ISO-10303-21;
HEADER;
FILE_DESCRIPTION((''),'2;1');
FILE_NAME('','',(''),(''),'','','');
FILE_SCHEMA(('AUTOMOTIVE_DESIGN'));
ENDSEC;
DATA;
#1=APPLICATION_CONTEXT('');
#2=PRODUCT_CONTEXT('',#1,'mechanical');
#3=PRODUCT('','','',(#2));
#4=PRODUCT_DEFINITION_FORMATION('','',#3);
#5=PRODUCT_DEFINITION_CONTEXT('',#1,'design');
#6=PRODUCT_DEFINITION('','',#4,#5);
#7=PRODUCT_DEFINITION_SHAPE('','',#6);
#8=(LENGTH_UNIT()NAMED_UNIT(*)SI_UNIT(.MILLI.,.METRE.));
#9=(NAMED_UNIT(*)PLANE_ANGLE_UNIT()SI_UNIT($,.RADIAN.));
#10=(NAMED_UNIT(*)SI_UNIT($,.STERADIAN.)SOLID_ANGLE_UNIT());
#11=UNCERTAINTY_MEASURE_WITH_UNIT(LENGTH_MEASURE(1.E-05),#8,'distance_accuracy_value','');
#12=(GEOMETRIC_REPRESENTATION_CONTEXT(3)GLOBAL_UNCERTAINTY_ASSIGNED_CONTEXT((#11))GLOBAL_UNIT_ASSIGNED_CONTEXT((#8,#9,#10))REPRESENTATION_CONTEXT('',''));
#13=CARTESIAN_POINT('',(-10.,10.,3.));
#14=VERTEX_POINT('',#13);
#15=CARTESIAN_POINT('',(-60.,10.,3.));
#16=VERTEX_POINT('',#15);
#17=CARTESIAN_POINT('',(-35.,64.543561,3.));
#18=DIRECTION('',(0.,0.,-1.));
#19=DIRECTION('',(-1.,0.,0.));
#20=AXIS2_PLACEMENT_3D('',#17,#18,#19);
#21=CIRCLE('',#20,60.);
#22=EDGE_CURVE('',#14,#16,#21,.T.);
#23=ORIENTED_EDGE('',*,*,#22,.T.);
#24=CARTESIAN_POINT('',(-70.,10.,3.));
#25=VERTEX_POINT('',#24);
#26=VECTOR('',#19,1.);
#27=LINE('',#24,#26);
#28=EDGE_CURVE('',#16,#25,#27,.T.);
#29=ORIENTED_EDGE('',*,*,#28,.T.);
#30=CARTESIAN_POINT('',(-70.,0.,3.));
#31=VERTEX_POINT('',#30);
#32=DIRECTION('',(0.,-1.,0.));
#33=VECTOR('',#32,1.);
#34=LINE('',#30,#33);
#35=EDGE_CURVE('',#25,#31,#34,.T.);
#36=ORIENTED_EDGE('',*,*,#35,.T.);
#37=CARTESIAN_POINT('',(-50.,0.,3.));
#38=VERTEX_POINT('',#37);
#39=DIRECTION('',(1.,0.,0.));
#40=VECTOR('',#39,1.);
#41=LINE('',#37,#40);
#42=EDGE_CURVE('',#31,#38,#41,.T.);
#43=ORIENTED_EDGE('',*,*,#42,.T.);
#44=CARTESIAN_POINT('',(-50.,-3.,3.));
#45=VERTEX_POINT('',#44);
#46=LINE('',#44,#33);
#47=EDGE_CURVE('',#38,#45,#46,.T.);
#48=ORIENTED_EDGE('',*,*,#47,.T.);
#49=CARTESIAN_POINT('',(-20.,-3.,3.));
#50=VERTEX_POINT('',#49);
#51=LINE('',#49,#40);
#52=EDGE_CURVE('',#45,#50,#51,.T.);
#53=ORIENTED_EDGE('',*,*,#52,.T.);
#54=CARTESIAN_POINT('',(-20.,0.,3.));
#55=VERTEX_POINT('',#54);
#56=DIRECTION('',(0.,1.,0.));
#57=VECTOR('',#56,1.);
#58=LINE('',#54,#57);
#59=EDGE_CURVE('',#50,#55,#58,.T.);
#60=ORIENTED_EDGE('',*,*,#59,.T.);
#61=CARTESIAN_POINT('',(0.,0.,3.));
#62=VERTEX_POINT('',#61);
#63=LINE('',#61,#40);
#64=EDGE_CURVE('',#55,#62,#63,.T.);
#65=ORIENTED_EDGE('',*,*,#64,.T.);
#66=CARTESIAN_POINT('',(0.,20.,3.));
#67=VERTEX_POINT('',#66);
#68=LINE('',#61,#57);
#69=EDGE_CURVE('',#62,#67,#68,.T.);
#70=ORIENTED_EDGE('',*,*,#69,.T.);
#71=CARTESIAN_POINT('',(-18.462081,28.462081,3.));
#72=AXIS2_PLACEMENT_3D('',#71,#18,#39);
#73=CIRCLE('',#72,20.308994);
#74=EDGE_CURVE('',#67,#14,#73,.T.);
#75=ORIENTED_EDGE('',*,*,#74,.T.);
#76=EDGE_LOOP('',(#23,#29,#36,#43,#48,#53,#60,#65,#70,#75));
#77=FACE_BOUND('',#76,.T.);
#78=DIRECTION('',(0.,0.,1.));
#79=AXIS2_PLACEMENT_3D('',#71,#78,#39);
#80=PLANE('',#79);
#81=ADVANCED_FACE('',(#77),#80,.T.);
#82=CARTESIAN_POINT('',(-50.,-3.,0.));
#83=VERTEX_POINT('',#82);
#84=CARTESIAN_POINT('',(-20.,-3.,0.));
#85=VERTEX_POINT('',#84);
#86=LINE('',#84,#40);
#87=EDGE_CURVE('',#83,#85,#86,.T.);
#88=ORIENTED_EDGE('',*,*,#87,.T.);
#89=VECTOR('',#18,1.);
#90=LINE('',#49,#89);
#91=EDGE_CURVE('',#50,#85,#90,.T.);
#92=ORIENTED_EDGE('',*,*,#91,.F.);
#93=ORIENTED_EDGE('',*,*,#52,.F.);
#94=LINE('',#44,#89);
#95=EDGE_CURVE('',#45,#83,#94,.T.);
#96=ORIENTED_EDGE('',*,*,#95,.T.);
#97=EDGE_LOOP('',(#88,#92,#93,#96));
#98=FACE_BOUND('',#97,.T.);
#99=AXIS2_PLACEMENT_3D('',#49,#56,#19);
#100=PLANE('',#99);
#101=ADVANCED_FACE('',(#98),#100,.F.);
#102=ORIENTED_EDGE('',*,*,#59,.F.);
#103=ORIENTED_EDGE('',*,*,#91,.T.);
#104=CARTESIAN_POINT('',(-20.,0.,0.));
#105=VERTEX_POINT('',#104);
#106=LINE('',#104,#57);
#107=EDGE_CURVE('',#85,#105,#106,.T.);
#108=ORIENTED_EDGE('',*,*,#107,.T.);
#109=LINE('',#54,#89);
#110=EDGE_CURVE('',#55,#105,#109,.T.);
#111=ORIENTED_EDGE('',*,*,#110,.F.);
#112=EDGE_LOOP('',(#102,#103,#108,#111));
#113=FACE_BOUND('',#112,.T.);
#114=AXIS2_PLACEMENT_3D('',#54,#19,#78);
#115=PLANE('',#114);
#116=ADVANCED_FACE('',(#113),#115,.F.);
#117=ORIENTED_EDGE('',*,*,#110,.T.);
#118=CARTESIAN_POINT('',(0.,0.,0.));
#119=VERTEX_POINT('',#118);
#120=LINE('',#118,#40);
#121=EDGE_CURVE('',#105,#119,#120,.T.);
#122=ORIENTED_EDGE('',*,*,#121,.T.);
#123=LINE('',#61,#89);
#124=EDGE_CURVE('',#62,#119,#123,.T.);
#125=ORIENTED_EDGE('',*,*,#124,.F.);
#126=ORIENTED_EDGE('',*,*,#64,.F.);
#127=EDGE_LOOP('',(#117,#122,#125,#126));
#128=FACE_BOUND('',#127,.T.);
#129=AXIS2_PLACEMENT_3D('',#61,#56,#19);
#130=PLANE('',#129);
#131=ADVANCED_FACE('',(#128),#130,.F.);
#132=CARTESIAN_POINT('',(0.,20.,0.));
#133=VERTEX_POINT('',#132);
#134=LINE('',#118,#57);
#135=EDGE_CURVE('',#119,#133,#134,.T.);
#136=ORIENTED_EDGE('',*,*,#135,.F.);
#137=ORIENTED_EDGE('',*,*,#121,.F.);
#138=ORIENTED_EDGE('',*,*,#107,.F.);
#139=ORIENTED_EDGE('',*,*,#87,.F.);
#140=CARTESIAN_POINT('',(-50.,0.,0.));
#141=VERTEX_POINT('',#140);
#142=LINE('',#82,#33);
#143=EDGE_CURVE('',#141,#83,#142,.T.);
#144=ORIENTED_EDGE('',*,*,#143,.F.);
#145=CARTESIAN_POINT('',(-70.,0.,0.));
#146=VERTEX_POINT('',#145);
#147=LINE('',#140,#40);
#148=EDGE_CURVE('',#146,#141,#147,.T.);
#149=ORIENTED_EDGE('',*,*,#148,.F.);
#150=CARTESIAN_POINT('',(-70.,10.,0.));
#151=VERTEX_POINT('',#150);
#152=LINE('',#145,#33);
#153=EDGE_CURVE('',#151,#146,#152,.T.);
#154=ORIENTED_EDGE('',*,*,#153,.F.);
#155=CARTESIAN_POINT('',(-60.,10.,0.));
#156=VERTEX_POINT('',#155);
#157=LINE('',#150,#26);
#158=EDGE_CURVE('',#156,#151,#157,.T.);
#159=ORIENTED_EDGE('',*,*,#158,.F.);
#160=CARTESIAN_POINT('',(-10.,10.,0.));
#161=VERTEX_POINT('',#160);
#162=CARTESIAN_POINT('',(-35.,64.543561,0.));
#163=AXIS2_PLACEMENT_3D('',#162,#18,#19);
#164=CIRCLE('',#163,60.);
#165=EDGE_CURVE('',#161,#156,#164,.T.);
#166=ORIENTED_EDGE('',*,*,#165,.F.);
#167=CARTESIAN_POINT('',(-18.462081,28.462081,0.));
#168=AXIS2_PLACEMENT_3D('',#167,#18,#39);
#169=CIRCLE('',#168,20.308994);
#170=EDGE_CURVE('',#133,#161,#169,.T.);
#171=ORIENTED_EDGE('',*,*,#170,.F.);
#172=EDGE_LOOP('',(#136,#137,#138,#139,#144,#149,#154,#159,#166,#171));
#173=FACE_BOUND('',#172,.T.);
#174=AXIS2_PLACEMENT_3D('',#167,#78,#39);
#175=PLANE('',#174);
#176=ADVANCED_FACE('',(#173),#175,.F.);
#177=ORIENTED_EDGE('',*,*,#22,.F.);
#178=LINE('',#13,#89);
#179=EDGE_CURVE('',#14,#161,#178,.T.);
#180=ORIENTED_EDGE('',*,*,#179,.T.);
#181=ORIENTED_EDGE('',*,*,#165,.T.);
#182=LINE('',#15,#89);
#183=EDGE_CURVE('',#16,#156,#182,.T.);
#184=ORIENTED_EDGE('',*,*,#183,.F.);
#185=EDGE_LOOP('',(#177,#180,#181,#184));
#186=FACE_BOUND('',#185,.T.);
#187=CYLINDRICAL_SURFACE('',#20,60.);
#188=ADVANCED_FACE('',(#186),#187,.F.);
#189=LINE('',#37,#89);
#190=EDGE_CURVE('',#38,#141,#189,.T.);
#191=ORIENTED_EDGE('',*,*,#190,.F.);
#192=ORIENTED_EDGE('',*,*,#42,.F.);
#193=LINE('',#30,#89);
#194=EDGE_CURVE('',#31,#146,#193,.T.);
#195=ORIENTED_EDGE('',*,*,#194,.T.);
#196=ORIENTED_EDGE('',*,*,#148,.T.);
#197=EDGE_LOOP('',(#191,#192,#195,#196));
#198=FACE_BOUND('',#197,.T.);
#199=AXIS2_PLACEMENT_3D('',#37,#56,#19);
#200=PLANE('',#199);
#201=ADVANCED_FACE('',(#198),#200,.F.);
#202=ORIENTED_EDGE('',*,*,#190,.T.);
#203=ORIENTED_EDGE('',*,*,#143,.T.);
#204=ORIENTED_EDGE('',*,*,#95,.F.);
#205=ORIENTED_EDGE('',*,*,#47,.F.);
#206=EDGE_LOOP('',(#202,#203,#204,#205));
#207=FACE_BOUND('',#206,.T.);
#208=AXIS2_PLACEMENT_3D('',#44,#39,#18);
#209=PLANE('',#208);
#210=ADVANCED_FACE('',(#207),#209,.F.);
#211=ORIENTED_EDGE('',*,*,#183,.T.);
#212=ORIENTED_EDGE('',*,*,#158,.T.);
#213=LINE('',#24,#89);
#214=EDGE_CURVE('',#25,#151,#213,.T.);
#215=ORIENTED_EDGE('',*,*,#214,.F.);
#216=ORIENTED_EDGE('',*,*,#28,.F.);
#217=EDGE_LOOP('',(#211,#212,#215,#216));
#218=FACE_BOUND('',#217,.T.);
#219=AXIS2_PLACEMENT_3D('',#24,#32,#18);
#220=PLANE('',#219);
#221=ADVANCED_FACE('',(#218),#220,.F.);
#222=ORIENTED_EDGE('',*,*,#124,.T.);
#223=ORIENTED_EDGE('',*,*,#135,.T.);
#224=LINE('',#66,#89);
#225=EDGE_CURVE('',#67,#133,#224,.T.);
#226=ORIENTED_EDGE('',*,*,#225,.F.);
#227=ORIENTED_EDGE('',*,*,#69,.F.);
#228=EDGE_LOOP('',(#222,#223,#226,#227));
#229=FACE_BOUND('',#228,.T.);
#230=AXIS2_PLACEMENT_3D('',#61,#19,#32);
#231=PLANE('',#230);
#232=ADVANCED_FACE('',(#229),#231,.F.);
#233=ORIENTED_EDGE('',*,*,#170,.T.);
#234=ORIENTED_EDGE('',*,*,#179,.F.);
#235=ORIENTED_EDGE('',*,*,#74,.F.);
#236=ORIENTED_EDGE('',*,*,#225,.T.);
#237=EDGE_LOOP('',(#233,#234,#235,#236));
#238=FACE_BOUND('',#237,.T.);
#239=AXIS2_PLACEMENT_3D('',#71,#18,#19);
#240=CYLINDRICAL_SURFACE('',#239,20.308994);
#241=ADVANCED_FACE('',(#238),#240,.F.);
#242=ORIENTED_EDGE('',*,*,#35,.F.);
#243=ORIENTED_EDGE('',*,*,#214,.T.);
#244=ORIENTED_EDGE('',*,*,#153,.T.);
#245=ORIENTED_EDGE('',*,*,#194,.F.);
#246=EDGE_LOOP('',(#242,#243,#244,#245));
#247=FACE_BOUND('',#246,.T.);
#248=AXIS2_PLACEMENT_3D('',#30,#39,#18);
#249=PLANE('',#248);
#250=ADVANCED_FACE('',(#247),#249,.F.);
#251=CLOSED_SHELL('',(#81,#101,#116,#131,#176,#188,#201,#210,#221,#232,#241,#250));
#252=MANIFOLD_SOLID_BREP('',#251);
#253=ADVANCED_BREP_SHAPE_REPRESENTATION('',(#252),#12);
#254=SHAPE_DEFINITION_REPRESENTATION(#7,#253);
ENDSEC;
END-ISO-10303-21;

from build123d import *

# Parameters (mm, degrees)
BOSS_EXTRUDE1_DEPTH = 3


with BuildPart() as part:
    # Sketch1 → Boss-Extrude1 (new body)
    with BuildSketch(Plane.XY):
        with BuildLine():
            Line((0, 0), (-20, 0))
            Line((-20, 0), (-20, -3))
            Line((-20, -3), (-50, -3))
            Line((-50, -3), (-50, 0))
            Line((-50, 0), (-70, 0))
            Line((-70, 0), (-70, 10))
            Line((-70, 10), (-60, 10))
            ThreePointArc((-60, 10), (-35, 4.543560573), (-10, 10))
            ThreePointArc((-10, 10), (-4.101453402, 14.101453402), (0, 20))
            Line((0, 20), (0, 0))
        make_face()
    extrude(amount=BOSS_EXTRUDE1_DEPTH)


solid = part.part
